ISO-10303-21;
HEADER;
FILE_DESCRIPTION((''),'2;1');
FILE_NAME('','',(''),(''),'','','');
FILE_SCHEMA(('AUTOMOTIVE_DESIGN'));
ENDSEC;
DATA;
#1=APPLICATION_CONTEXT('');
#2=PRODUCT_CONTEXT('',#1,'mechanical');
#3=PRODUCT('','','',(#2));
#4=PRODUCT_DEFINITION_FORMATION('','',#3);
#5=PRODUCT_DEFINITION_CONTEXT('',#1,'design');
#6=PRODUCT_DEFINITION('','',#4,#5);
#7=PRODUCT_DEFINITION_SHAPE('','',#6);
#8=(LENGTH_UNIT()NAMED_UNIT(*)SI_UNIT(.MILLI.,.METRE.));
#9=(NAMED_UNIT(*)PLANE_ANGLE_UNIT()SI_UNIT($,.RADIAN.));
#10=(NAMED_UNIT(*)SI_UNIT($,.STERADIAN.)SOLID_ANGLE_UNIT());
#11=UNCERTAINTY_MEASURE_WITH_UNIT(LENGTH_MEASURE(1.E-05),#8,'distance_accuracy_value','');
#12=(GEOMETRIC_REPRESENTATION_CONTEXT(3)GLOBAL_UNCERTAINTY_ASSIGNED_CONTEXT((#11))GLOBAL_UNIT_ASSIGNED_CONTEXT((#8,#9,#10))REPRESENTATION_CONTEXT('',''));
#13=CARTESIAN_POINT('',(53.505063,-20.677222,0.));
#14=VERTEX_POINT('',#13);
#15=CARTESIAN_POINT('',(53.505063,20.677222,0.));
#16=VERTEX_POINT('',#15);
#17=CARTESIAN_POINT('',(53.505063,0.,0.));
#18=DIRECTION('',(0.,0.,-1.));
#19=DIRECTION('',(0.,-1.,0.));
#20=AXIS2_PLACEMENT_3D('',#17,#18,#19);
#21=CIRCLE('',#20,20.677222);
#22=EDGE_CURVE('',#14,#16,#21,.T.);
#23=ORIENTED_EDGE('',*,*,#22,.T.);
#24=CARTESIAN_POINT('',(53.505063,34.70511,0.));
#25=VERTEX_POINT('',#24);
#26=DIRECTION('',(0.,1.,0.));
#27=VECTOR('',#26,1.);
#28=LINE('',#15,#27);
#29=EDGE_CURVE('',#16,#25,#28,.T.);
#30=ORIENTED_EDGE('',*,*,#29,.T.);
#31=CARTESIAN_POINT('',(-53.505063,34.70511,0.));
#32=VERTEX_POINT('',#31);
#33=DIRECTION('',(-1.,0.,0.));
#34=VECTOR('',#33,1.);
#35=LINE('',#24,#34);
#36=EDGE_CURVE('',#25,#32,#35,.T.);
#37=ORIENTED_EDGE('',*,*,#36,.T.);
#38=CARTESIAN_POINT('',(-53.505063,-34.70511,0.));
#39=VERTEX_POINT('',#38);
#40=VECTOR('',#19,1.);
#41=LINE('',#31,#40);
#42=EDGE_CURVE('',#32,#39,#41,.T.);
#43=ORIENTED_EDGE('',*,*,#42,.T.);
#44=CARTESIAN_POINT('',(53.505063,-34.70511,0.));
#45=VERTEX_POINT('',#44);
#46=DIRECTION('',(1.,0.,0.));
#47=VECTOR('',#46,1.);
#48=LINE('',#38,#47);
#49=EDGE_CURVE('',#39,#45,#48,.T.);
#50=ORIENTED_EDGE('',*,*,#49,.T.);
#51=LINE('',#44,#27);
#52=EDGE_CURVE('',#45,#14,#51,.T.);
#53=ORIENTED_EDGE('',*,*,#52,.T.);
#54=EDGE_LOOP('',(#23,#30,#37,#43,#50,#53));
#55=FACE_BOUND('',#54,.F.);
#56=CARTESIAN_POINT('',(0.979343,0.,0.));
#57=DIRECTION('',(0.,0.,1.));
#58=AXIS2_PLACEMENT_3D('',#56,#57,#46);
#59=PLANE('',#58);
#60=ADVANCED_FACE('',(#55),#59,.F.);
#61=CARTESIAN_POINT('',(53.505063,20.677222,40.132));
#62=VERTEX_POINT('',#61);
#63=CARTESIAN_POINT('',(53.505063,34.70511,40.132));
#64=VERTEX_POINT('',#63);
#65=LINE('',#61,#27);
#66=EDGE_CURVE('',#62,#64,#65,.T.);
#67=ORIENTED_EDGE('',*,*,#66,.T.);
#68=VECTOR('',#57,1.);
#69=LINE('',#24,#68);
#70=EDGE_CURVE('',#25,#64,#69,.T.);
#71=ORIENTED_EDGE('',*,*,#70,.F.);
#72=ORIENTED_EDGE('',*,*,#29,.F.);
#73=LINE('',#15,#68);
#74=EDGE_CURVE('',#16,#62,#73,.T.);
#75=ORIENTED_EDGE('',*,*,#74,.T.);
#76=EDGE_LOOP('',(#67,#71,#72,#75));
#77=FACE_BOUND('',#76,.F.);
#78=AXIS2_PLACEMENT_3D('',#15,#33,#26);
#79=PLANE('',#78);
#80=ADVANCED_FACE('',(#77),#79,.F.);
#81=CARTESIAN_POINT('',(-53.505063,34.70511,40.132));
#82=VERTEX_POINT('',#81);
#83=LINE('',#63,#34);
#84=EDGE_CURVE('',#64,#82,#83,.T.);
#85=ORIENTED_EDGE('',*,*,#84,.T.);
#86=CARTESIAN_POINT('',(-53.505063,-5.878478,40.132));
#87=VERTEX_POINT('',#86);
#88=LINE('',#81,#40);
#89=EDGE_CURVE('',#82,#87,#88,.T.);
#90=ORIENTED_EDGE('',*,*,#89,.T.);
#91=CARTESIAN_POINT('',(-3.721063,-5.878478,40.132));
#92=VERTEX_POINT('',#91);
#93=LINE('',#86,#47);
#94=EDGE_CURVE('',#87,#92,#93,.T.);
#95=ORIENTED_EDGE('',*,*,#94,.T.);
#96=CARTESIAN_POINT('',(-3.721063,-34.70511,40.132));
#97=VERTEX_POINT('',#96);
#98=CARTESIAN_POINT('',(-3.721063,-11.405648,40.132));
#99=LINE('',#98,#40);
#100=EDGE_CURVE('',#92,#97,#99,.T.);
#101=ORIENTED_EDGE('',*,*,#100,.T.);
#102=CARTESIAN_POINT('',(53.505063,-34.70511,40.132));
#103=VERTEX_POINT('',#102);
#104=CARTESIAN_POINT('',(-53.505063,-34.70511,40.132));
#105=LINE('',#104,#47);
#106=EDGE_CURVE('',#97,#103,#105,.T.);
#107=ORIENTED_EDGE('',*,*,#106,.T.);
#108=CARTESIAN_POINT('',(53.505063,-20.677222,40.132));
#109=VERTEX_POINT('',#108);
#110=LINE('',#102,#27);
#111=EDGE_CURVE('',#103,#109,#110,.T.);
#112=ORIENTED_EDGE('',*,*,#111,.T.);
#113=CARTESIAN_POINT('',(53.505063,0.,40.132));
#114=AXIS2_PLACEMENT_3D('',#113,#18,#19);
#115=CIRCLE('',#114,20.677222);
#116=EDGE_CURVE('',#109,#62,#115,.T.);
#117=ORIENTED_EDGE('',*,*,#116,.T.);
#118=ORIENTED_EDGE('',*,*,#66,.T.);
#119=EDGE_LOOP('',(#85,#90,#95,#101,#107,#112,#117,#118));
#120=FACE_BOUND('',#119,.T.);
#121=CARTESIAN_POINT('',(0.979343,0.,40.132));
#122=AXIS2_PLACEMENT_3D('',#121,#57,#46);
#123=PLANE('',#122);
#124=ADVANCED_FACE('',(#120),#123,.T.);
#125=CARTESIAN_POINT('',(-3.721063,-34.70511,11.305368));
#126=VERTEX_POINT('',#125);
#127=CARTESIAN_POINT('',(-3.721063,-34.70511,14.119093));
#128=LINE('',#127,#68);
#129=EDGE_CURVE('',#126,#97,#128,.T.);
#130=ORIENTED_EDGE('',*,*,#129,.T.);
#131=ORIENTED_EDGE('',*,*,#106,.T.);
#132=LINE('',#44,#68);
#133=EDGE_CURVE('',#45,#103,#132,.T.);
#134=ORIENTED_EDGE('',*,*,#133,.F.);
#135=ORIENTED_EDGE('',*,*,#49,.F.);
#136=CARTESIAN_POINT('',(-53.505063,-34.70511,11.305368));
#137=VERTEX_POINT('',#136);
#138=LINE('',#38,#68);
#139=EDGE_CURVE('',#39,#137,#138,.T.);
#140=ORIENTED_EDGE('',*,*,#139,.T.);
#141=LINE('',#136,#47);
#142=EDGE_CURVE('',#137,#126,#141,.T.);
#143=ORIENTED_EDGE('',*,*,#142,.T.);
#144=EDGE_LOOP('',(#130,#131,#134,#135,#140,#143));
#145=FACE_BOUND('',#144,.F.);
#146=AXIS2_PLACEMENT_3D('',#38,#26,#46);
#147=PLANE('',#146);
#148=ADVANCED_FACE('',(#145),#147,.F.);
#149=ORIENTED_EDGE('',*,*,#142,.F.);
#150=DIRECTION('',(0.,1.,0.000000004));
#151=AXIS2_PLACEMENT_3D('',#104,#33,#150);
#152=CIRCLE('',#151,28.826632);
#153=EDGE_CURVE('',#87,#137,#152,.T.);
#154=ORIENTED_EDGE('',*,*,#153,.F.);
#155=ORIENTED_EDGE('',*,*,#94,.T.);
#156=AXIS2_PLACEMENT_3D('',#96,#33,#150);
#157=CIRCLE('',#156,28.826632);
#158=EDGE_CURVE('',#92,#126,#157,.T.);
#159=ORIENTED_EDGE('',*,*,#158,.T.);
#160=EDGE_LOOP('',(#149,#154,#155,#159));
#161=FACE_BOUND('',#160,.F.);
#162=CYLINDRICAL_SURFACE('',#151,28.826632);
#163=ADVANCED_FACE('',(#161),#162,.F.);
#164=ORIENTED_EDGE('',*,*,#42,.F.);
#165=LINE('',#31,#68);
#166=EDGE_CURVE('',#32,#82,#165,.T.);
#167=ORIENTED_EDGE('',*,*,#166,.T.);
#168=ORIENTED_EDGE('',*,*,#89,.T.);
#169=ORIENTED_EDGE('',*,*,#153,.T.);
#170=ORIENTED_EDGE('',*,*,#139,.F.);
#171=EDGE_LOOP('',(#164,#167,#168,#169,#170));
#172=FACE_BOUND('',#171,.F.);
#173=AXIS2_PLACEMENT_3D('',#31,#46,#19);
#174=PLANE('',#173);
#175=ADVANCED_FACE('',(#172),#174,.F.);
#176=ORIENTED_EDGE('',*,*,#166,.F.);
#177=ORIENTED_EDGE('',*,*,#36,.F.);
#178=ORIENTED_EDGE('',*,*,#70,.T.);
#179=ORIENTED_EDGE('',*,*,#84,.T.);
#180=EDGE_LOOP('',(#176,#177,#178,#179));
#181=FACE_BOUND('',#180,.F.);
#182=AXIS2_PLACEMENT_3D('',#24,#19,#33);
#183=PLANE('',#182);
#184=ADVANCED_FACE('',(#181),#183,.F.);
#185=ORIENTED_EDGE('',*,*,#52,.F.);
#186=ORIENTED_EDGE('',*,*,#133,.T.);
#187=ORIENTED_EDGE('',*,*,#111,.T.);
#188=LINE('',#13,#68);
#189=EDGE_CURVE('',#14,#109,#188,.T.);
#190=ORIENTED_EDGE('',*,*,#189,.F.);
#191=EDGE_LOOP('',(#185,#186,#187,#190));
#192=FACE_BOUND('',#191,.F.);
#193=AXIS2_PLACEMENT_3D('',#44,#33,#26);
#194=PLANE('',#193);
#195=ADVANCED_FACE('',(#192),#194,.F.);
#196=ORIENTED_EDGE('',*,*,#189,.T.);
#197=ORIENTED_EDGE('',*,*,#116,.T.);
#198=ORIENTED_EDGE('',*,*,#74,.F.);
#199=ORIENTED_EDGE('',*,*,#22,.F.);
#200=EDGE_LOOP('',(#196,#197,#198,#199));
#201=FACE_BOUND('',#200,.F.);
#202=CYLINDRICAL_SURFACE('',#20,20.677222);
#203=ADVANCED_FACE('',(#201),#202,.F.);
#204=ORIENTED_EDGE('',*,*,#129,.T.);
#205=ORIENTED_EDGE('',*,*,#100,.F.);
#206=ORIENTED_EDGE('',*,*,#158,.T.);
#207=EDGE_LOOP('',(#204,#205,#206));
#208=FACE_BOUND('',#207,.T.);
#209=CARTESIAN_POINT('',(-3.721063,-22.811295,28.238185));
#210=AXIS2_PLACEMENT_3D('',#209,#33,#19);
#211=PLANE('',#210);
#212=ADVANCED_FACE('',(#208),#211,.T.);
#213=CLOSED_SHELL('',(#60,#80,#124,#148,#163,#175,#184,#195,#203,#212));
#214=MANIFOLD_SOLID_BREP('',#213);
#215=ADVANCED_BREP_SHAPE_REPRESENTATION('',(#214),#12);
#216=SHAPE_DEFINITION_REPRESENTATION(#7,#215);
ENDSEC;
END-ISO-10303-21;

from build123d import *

# Parameters (mm, degrees)
F1_DEPTH = 40.132
F3_DEPTH = 49.784


with BuildPart() as f1:
    # F0 (on Top) → F1 (new body)
    with BuildSketch(Plane.XY):
        with BuildLine():
            Line((-53.505063, -34.70511), (53.505063, -34.70511))
            Line((53.505063, -34.70511), (53.505063, -20.677222))
            ThreePointArc((53.505063, -20.677222), (32.827841, 0), (53.505063, 20.677222))
            Line((53.505063, 20.677222), (53.505063, 34.70511))
            Line((53.505063, 34.70511), (-53.505063, 34.70511))
            Line((-53.505063, 34.70511), (-53.505063, -34.70511))
        make_face()
    extrude(amount=F1_DEPTH)

    # F2 (on face) → F3 (cut)
    with BuildSketch(Plane(origin=(-53.505063, 0, 0), x_dir=(0, -1, 0), z_dir=(-1, 0, 0))):
        with BuildLine():
            Line((34.70511, 40.132), (5.878478, 40.132))
            ThreePointArc((5.878478, 40.132), (14.321603, 19.748493), (34.70511, 11.305368))
            Line((34.70511, 11.305368), (34.70511, 40.132))
        make_face()
        with BuildLine():
            ThreePointArc((34.70511, 11.305368), (55.088617, 19.748493), (63.531742, 40.132))
            ThreePointArc((63.531742, 40.132), (34.70511, 68.958632), (5.878478, 40.132))
            Line((5.878478, 40.132), (34.70511, 40.132))
            Line((34.70511, 40.132), (34.70511, 11.305368))
        make_face()
    extrude(amount=-F3_DEPTH, mode=Mode.SUBTRACT)


solid = f1.part
